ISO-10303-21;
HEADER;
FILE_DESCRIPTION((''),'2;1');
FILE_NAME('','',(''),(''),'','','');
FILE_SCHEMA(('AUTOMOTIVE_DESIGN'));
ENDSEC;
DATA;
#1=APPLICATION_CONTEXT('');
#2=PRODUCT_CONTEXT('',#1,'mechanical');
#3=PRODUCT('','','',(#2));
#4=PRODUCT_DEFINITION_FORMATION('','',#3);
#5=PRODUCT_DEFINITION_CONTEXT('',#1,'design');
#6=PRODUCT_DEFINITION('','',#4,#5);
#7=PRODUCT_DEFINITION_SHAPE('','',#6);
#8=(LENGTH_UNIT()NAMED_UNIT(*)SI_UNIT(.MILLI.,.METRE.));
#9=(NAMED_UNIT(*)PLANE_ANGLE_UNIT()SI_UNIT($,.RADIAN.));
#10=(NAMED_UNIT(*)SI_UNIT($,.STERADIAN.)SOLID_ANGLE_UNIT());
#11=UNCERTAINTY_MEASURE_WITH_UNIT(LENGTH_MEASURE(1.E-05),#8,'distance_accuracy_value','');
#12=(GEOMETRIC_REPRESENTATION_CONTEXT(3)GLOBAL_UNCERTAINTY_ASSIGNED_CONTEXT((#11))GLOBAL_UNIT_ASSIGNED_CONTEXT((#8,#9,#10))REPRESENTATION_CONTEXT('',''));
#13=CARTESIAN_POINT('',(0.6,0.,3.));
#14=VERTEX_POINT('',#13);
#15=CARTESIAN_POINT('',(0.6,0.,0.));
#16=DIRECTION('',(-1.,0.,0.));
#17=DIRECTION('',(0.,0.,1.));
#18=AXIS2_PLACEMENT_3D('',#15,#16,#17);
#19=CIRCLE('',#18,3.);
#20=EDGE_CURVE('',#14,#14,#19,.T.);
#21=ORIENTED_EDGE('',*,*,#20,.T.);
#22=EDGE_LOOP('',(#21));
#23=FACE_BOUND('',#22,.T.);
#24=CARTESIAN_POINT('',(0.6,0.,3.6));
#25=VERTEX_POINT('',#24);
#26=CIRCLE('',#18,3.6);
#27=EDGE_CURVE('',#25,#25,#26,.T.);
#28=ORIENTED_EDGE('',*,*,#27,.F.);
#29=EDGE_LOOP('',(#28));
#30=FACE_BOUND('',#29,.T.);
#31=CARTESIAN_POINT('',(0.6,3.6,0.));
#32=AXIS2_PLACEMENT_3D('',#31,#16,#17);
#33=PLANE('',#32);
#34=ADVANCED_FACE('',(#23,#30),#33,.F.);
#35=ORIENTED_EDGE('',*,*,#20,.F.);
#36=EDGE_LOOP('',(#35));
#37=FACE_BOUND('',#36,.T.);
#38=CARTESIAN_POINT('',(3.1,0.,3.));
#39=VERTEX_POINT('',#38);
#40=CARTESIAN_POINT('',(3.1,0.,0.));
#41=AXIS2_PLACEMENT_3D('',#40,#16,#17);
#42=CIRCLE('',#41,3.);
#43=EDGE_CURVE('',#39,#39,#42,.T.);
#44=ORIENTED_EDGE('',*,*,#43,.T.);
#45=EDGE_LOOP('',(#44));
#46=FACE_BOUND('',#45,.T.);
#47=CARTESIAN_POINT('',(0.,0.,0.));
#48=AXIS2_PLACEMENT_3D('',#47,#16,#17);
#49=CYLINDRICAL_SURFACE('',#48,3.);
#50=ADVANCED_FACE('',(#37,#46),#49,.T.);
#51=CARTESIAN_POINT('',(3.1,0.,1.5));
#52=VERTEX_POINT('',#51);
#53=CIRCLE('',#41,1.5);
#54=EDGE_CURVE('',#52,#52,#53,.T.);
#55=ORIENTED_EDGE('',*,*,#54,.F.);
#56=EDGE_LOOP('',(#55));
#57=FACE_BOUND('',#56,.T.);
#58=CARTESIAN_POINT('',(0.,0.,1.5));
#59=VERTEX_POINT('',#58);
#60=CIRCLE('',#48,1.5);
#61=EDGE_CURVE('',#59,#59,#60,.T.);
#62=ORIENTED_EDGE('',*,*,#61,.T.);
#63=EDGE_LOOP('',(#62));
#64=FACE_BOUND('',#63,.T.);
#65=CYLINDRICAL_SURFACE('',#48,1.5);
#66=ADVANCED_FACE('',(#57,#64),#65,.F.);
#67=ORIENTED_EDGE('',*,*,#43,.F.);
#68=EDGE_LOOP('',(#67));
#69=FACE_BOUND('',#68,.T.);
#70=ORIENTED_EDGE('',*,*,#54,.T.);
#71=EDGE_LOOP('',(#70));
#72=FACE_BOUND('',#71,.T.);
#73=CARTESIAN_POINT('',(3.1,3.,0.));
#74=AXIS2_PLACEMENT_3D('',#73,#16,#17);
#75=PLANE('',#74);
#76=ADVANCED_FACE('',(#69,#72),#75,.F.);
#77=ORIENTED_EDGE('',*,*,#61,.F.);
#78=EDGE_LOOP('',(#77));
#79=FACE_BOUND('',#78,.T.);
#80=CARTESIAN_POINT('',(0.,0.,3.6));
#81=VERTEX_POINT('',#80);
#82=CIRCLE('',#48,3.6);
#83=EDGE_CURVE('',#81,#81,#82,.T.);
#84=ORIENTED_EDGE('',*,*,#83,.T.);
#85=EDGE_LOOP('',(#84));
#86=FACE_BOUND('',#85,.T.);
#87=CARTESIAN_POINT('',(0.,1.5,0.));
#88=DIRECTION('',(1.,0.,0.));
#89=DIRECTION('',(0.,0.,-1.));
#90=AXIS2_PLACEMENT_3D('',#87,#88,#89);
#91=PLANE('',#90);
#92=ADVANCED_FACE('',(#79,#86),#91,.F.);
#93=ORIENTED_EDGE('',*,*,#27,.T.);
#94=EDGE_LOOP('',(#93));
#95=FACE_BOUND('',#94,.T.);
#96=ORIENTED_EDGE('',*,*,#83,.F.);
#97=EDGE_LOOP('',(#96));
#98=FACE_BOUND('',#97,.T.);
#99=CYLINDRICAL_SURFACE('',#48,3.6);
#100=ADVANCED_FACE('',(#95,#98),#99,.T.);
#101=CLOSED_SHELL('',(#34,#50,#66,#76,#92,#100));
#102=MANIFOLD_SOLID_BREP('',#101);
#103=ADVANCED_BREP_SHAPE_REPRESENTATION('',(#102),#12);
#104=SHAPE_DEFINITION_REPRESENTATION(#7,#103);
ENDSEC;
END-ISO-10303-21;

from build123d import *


with BuildPart() as part:
    # Sketch1 → Revolve1 (revolve)
    with BuildSketch(Plane.XY, mode=Mode.PRIVATE) as revolve1_sk:
        Polygon((0, 1.5), (0, 3.6), (0.6, 3.6), (0.6, 3), (3.1, 3), (3.1, 1.5), align=None)
    revolve(revolve1_sk.sketch.rotate(Axis((0, 0, 0), (1, 0, 0)), 90), axis=Axis((0, 0, 0), (1, 0, 0)))


solid = part.part
